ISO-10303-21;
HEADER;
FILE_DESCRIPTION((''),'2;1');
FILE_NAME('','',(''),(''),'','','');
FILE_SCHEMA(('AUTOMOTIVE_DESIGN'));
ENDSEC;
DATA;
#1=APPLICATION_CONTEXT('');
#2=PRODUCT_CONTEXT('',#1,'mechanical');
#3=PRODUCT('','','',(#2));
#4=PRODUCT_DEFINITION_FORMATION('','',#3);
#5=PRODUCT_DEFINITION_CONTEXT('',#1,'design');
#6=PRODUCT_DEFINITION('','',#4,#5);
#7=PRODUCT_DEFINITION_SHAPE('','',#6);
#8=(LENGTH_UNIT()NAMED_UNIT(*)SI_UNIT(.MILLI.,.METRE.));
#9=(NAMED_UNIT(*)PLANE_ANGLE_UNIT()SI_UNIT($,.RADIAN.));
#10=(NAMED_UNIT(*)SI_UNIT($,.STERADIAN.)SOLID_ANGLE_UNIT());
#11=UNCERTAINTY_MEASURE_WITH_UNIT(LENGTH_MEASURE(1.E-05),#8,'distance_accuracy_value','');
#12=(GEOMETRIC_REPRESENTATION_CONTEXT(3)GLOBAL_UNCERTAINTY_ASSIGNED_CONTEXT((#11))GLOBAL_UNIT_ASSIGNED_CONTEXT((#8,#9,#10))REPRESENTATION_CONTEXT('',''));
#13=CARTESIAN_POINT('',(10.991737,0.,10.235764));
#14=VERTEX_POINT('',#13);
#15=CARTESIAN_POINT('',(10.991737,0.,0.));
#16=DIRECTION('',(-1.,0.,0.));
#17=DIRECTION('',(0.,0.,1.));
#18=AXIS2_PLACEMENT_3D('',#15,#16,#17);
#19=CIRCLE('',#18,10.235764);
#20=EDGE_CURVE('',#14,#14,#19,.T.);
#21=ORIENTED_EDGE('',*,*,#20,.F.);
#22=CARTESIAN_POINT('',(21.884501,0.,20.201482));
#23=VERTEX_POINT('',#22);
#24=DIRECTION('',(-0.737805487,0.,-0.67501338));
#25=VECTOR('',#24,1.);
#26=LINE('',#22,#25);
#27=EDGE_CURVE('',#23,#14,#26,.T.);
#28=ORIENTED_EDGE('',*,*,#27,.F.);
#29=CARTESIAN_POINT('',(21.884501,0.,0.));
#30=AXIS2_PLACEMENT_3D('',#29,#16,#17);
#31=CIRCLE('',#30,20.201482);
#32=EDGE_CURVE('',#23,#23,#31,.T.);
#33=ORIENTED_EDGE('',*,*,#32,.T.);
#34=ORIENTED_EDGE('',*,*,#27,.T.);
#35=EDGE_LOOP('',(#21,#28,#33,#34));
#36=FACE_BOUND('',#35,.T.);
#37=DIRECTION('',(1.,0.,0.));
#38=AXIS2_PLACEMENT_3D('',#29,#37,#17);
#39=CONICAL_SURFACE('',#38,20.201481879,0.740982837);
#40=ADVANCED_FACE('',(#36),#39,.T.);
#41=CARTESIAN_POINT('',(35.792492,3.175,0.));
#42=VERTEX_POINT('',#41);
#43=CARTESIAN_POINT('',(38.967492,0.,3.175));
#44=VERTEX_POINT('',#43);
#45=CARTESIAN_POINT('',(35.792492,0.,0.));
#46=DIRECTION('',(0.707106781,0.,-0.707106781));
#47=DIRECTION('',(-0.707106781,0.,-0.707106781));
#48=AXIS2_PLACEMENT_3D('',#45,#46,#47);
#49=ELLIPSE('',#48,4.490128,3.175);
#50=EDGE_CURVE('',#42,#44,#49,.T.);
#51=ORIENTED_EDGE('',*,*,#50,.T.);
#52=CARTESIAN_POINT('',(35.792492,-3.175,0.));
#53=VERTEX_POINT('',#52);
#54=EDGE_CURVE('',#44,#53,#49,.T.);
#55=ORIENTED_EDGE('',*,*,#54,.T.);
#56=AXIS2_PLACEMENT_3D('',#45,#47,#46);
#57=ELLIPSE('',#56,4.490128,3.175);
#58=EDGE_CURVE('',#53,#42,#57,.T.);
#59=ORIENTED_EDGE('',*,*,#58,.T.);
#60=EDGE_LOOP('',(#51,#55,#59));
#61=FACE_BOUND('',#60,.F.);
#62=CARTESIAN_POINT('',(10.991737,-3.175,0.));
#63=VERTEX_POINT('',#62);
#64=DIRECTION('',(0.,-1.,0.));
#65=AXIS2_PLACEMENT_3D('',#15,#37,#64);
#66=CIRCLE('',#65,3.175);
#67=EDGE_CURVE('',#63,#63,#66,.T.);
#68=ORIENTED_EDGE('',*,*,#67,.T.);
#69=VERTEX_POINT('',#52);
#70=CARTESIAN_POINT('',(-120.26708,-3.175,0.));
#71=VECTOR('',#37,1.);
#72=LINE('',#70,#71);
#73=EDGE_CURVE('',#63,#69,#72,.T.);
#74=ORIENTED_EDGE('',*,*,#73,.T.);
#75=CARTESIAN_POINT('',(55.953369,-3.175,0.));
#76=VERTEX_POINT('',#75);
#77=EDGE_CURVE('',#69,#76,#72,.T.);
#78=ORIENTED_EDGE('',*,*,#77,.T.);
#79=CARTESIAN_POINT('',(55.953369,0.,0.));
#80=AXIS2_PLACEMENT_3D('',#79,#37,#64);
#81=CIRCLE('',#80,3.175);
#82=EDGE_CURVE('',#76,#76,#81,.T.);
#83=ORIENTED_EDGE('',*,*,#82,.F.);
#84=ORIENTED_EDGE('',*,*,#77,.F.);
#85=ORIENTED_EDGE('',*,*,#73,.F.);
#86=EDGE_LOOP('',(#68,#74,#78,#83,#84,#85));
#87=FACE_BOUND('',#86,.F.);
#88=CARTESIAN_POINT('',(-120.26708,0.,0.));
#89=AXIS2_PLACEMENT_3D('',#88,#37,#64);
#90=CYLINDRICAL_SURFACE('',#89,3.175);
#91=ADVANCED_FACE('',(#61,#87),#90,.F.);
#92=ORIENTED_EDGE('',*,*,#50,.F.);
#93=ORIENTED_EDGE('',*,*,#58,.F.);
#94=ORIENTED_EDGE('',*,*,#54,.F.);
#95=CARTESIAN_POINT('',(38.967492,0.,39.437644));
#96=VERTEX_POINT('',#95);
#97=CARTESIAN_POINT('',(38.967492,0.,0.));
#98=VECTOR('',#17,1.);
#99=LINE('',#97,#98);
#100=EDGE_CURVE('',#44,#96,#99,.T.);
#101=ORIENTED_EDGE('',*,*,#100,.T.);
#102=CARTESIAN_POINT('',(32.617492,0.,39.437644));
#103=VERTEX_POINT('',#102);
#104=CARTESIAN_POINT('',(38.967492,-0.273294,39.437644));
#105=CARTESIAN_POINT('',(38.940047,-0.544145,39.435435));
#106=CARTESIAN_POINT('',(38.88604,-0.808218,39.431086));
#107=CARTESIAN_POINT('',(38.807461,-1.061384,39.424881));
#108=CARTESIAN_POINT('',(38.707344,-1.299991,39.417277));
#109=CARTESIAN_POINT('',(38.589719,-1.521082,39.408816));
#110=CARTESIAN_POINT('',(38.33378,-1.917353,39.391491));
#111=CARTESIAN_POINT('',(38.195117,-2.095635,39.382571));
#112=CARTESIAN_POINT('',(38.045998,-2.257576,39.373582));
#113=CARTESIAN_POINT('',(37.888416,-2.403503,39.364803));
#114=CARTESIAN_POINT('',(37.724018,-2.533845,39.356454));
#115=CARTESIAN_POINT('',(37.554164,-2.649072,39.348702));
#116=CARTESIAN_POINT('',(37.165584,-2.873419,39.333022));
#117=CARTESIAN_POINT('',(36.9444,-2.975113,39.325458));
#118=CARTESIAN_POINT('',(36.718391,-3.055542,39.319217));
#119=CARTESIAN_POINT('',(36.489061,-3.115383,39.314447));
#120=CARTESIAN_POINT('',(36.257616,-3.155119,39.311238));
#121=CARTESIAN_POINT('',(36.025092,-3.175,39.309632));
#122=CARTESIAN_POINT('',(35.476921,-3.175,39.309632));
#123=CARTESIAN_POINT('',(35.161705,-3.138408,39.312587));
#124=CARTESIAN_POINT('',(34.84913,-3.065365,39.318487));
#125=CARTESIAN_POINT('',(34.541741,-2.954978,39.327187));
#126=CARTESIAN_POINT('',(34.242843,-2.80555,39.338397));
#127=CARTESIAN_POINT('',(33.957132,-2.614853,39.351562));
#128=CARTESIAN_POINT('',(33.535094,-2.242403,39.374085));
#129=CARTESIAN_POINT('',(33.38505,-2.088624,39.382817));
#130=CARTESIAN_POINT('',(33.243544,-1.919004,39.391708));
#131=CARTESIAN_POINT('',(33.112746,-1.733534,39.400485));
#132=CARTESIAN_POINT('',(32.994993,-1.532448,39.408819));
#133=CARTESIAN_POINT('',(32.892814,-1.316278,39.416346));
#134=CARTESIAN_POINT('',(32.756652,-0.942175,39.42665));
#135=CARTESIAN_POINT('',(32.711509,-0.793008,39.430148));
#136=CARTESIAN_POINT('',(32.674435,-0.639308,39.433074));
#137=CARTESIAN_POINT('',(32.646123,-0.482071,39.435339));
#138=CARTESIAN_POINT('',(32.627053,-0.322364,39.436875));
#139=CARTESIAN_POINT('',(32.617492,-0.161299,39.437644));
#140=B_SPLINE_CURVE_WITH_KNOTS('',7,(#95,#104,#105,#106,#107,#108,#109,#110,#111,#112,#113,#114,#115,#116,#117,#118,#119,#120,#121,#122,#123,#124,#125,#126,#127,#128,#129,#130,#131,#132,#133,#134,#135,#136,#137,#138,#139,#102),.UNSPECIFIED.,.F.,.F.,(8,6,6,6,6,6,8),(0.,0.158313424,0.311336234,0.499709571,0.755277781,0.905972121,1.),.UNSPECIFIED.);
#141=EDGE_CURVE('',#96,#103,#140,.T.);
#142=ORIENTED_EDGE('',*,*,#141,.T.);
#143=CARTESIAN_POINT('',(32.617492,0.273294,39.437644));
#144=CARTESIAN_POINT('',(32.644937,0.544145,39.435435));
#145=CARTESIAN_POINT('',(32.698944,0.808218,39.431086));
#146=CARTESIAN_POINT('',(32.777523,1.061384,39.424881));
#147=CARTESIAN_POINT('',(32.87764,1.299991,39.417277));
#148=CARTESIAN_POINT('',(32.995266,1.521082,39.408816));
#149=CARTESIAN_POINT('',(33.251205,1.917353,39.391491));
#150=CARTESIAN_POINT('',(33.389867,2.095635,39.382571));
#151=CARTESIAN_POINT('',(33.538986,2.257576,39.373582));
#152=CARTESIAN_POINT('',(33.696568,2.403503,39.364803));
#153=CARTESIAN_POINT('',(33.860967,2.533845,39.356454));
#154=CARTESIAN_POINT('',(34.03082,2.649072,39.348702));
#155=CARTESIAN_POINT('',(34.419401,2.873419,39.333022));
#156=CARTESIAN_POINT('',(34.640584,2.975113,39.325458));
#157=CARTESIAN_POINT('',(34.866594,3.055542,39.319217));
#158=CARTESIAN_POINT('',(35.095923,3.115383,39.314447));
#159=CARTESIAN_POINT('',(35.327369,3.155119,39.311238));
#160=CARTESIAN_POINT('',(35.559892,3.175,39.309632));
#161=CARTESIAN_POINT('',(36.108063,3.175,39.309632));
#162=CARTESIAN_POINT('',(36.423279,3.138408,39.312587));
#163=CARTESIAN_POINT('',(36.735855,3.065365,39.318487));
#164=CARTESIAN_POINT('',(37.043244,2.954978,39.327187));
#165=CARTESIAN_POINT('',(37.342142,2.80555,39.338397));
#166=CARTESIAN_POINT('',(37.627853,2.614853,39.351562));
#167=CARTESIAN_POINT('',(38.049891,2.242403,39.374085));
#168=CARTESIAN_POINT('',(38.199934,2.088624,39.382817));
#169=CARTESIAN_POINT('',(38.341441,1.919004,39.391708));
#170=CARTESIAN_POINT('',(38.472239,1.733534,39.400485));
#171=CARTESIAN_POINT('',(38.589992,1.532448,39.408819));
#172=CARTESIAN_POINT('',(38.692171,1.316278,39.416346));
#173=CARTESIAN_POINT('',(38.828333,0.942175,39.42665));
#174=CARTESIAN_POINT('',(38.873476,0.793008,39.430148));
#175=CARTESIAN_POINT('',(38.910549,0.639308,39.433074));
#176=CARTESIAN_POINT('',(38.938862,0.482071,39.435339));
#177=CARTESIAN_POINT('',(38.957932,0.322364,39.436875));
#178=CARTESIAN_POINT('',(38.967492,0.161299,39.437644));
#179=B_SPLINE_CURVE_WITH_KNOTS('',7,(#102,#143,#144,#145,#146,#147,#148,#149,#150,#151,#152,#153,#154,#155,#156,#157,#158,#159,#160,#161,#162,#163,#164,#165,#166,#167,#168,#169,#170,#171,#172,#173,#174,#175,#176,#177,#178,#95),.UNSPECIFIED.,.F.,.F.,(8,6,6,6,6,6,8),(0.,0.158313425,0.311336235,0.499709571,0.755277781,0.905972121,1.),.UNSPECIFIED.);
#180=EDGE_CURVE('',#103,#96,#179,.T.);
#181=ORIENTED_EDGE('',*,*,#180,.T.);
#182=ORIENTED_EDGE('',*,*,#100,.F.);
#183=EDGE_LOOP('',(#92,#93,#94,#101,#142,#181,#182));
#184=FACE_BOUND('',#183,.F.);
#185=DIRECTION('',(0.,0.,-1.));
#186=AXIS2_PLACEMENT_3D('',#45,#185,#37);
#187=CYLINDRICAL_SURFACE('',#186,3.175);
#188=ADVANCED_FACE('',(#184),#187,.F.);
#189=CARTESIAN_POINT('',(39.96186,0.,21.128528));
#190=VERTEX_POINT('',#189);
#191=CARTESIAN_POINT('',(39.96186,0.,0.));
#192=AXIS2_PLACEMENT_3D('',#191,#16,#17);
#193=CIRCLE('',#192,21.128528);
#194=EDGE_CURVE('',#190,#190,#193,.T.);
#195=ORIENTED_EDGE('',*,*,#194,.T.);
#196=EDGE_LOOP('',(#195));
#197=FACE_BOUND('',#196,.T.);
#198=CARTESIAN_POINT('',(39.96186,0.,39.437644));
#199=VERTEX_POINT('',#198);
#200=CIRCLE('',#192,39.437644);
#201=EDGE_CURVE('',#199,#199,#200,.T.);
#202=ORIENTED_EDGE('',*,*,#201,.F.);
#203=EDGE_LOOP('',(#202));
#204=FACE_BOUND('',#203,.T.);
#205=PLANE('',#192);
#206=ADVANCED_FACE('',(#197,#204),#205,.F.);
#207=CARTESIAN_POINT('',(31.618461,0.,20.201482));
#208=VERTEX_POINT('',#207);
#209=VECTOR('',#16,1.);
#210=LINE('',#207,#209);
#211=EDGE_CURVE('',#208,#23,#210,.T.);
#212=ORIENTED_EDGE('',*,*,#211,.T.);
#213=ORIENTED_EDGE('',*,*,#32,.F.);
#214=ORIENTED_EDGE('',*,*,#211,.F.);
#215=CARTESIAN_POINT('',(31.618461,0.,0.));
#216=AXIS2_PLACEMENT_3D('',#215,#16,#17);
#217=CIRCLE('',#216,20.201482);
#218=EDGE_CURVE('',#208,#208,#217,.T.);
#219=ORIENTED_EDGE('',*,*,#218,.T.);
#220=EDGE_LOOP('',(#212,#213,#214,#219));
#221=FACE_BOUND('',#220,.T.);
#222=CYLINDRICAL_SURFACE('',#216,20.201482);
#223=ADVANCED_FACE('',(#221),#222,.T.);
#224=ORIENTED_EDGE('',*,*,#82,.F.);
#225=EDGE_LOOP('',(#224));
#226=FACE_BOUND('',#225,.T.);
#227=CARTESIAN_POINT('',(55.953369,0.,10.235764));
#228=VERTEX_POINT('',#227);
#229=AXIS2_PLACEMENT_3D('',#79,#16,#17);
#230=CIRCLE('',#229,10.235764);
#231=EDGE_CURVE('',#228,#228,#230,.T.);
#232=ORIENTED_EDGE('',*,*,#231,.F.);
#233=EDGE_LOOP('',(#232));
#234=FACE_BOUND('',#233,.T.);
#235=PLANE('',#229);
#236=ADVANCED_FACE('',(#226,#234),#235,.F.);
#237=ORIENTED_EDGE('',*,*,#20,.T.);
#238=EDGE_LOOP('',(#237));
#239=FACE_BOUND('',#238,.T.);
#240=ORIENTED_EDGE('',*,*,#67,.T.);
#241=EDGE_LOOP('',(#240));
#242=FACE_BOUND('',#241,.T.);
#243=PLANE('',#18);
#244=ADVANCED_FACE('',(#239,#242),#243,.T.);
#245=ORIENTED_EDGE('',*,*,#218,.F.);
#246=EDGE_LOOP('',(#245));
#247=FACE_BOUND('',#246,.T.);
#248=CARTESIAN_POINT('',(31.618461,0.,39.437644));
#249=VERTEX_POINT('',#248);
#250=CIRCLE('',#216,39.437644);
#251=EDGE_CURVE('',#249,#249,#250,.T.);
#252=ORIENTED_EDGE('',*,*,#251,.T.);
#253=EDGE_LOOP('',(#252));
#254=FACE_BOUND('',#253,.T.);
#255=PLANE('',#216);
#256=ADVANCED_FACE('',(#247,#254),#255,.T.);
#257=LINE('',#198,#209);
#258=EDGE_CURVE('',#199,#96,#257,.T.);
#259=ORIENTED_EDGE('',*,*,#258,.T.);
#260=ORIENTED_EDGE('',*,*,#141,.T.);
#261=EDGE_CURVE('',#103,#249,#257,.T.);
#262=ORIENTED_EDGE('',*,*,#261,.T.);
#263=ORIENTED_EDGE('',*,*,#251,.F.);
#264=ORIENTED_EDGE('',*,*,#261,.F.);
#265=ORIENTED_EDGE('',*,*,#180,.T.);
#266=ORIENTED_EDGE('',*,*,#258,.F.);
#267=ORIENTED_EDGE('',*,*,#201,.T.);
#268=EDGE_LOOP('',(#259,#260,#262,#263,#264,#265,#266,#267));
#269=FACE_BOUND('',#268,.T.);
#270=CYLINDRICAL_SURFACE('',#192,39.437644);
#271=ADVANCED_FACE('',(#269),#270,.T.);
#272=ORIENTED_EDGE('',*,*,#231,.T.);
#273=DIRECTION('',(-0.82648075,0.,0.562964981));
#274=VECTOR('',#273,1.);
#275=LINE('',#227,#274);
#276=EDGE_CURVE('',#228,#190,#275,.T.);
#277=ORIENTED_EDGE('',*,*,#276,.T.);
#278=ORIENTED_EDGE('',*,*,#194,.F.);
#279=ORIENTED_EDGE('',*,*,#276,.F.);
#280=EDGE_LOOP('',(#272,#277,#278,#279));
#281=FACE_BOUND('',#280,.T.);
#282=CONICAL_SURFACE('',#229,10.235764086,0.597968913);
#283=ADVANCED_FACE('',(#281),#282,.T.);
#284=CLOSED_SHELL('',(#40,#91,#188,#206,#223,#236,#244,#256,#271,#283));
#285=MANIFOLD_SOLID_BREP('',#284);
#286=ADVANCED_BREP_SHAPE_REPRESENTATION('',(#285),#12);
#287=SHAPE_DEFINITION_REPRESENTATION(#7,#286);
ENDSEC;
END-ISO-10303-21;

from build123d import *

# Parameters (mm, degrees)
F4_D     = 6.35
F4_DEPTH = 39.4386441836
F5_D     = 6.35


with BuildPart() as f1:
    # F0 (on Front) → F1 (revolve)
    with BuildSketch(Plane.XZ):
        Polygon((10.9917372465, 10.2357640862), (10.9917372465, 0), (55.9533685446, 0), (55.9533685446, 10.2357640862), (39.9618595839, 21.1285278201), (39.9618595839, 39.4376441836), (31.6184610128, 39.4376441836), (31.6184610128, 20.2014818788), (21.8845009804, 20.2014818788), align=None)
    revolve(axis=Axis((33.4725528955, 0, 0), (-1, 0, 0)))

    # F4 (through all, one way)
    with BuildSketch(Plane(origin=(0, 0, 0), x_dir=(1, 0, 0), z_dir=(0, 0, -1))):
        with Locations((35.7924923301, 0)):
            Circle(F4_D / 2)
    extrude(amount=-F4_DEPTH, mode=Mode.SUBTRACT)

    # F5 (through all)
    with Locations(Plane(origin=(0, 0, 0), x_dir=(0, 1, 0), z_dir=(-1, 0, 0))):
        with Locations((0, 0)):
            Hole(F5_D / 2)


solid = f1.part
